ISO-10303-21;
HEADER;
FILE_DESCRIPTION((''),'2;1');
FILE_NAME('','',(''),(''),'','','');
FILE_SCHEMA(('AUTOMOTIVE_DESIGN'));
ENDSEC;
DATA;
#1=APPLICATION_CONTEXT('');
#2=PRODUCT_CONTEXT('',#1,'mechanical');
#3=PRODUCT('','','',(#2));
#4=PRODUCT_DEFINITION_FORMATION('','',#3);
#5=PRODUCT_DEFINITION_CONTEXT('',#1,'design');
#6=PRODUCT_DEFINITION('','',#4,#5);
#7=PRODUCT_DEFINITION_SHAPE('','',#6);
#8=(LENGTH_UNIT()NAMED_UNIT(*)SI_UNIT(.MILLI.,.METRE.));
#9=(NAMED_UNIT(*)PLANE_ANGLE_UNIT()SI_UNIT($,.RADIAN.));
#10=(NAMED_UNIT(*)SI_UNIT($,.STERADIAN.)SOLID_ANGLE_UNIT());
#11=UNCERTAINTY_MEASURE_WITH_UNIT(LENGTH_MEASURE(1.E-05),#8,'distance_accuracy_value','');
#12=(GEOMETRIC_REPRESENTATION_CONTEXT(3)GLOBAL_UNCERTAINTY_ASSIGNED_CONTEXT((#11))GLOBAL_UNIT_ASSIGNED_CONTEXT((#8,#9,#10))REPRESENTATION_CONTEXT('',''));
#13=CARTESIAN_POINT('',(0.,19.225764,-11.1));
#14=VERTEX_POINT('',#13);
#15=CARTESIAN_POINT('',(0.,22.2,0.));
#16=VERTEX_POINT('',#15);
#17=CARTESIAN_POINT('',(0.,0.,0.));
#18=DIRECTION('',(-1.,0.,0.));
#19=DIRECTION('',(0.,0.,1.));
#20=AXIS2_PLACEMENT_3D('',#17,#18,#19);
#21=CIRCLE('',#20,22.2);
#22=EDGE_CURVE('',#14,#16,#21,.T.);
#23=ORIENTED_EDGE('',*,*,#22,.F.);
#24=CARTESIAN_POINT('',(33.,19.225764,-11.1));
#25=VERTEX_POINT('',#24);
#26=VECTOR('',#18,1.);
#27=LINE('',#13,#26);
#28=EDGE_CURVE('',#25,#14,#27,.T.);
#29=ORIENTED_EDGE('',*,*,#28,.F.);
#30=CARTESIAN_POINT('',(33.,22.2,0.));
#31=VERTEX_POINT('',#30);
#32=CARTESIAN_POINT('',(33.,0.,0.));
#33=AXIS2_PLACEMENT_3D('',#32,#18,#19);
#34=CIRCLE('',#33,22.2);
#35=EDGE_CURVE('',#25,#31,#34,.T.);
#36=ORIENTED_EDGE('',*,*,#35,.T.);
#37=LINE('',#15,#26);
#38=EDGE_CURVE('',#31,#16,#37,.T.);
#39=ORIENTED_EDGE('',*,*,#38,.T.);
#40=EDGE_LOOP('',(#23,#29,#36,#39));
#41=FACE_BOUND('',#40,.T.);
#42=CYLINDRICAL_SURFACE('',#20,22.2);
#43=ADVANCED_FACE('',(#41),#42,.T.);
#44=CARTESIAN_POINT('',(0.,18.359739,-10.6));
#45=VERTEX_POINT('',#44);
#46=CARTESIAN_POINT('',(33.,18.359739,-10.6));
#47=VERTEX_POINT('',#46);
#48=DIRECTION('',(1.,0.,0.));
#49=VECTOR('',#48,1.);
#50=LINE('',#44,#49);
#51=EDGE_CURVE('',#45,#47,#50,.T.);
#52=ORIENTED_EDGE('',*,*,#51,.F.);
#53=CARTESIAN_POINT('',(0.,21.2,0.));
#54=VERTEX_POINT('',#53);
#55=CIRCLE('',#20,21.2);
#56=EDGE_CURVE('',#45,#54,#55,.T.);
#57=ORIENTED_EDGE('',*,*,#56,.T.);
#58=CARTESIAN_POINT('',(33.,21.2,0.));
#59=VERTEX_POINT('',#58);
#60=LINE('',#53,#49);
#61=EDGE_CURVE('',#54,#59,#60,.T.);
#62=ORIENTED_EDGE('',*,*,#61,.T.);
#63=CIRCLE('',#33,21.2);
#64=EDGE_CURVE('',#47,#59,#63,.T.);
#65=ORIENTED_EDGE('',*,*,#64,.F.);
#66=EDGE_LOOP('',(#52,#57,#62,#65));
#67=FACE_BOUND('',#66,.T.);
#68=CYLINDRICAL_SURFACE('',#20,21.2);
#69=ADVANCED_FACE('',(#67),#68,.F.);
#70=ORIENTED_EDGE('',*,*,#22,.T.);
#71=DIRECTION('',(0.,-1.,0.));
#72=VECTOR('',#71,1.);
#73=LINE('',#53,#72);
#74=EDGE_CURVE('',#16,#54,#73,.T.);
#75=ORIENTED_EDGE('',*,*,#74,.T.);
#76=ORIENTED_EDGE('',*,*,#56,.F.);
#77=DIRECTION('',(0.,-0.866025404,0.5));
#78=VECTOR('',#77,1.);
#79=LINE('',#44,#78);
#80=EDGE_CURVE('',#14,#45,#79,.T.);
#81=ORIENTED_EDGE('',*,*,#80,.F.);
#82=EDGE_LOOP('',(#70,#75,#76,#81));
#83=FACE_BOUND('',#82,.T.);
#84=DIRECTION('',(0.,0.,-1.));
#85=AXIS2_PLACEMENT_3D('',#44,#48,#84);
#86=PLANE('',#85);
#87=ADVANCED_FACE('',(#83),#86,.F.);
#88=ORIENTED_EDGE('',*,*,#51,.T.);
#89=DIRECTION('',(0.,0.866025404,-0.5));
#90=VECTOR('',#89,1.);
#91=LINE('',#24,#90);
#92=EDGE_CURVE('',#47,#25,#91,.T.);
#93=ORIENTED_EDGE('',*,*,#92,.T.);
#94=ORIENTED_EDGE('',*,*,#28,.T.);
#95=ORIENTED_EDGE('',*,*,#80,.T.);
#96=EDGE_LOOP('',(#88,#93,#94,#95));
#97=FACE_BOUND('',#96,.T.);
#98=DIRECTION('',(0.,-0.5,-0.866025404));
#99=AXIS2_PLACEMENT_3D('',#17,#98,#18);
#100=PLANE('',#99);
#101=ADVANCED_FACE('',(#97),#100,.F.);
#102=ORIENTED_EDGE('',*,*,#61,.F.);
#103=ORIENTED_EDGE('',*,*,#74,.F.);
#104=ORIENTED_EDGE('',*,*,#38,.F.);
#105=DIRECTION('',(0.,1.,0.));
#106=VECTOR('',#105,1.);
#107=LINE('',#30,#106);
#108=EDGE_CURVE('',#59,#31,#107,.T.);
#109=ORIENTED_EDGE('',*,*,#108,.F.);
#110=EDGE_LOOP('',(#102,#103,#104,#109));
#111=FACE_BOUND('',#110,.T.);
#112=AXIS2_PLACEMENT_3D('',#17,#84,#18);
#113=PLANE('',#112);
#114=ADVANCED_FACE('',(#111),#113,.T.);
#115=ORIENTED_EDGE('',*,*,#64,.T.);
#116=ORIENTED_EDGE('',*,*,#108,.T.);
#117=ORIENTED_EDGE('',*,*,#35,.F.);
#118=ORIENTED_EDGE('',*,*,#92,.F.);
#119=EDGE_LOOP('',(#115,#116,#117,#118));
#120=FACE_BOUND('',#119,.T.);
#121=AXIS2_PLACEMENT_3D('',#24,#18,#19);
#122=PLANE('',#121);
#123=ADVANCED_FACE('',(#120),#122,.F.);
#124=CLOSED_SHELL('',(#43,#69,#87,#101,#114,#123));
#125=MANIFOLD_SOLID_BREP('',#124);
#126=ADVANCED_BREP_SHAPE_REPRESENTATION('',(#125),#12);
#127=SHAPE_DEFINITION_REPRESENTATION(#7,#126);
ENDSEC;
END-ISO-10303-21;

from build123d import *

# Parameters (mm, degrees)
SKETCH1_W      = 33
SKETCH1_H      = 1
REVOLVE1_ANGLE = 330


with BuildPart() as part:
    # Sketch1 → Revolve1 (revolve)
    with BuildSketch(Plane.XY):
        with Locations((16.5, 21.7)):
            Rectangle(SKETCH1_W, SKETCH1_H)
    revolve(axis=Axis((0, 0, 0), (1, 0, 0)), revolution_arc=REVOLVE1_ANGLE)


solid = part.part
